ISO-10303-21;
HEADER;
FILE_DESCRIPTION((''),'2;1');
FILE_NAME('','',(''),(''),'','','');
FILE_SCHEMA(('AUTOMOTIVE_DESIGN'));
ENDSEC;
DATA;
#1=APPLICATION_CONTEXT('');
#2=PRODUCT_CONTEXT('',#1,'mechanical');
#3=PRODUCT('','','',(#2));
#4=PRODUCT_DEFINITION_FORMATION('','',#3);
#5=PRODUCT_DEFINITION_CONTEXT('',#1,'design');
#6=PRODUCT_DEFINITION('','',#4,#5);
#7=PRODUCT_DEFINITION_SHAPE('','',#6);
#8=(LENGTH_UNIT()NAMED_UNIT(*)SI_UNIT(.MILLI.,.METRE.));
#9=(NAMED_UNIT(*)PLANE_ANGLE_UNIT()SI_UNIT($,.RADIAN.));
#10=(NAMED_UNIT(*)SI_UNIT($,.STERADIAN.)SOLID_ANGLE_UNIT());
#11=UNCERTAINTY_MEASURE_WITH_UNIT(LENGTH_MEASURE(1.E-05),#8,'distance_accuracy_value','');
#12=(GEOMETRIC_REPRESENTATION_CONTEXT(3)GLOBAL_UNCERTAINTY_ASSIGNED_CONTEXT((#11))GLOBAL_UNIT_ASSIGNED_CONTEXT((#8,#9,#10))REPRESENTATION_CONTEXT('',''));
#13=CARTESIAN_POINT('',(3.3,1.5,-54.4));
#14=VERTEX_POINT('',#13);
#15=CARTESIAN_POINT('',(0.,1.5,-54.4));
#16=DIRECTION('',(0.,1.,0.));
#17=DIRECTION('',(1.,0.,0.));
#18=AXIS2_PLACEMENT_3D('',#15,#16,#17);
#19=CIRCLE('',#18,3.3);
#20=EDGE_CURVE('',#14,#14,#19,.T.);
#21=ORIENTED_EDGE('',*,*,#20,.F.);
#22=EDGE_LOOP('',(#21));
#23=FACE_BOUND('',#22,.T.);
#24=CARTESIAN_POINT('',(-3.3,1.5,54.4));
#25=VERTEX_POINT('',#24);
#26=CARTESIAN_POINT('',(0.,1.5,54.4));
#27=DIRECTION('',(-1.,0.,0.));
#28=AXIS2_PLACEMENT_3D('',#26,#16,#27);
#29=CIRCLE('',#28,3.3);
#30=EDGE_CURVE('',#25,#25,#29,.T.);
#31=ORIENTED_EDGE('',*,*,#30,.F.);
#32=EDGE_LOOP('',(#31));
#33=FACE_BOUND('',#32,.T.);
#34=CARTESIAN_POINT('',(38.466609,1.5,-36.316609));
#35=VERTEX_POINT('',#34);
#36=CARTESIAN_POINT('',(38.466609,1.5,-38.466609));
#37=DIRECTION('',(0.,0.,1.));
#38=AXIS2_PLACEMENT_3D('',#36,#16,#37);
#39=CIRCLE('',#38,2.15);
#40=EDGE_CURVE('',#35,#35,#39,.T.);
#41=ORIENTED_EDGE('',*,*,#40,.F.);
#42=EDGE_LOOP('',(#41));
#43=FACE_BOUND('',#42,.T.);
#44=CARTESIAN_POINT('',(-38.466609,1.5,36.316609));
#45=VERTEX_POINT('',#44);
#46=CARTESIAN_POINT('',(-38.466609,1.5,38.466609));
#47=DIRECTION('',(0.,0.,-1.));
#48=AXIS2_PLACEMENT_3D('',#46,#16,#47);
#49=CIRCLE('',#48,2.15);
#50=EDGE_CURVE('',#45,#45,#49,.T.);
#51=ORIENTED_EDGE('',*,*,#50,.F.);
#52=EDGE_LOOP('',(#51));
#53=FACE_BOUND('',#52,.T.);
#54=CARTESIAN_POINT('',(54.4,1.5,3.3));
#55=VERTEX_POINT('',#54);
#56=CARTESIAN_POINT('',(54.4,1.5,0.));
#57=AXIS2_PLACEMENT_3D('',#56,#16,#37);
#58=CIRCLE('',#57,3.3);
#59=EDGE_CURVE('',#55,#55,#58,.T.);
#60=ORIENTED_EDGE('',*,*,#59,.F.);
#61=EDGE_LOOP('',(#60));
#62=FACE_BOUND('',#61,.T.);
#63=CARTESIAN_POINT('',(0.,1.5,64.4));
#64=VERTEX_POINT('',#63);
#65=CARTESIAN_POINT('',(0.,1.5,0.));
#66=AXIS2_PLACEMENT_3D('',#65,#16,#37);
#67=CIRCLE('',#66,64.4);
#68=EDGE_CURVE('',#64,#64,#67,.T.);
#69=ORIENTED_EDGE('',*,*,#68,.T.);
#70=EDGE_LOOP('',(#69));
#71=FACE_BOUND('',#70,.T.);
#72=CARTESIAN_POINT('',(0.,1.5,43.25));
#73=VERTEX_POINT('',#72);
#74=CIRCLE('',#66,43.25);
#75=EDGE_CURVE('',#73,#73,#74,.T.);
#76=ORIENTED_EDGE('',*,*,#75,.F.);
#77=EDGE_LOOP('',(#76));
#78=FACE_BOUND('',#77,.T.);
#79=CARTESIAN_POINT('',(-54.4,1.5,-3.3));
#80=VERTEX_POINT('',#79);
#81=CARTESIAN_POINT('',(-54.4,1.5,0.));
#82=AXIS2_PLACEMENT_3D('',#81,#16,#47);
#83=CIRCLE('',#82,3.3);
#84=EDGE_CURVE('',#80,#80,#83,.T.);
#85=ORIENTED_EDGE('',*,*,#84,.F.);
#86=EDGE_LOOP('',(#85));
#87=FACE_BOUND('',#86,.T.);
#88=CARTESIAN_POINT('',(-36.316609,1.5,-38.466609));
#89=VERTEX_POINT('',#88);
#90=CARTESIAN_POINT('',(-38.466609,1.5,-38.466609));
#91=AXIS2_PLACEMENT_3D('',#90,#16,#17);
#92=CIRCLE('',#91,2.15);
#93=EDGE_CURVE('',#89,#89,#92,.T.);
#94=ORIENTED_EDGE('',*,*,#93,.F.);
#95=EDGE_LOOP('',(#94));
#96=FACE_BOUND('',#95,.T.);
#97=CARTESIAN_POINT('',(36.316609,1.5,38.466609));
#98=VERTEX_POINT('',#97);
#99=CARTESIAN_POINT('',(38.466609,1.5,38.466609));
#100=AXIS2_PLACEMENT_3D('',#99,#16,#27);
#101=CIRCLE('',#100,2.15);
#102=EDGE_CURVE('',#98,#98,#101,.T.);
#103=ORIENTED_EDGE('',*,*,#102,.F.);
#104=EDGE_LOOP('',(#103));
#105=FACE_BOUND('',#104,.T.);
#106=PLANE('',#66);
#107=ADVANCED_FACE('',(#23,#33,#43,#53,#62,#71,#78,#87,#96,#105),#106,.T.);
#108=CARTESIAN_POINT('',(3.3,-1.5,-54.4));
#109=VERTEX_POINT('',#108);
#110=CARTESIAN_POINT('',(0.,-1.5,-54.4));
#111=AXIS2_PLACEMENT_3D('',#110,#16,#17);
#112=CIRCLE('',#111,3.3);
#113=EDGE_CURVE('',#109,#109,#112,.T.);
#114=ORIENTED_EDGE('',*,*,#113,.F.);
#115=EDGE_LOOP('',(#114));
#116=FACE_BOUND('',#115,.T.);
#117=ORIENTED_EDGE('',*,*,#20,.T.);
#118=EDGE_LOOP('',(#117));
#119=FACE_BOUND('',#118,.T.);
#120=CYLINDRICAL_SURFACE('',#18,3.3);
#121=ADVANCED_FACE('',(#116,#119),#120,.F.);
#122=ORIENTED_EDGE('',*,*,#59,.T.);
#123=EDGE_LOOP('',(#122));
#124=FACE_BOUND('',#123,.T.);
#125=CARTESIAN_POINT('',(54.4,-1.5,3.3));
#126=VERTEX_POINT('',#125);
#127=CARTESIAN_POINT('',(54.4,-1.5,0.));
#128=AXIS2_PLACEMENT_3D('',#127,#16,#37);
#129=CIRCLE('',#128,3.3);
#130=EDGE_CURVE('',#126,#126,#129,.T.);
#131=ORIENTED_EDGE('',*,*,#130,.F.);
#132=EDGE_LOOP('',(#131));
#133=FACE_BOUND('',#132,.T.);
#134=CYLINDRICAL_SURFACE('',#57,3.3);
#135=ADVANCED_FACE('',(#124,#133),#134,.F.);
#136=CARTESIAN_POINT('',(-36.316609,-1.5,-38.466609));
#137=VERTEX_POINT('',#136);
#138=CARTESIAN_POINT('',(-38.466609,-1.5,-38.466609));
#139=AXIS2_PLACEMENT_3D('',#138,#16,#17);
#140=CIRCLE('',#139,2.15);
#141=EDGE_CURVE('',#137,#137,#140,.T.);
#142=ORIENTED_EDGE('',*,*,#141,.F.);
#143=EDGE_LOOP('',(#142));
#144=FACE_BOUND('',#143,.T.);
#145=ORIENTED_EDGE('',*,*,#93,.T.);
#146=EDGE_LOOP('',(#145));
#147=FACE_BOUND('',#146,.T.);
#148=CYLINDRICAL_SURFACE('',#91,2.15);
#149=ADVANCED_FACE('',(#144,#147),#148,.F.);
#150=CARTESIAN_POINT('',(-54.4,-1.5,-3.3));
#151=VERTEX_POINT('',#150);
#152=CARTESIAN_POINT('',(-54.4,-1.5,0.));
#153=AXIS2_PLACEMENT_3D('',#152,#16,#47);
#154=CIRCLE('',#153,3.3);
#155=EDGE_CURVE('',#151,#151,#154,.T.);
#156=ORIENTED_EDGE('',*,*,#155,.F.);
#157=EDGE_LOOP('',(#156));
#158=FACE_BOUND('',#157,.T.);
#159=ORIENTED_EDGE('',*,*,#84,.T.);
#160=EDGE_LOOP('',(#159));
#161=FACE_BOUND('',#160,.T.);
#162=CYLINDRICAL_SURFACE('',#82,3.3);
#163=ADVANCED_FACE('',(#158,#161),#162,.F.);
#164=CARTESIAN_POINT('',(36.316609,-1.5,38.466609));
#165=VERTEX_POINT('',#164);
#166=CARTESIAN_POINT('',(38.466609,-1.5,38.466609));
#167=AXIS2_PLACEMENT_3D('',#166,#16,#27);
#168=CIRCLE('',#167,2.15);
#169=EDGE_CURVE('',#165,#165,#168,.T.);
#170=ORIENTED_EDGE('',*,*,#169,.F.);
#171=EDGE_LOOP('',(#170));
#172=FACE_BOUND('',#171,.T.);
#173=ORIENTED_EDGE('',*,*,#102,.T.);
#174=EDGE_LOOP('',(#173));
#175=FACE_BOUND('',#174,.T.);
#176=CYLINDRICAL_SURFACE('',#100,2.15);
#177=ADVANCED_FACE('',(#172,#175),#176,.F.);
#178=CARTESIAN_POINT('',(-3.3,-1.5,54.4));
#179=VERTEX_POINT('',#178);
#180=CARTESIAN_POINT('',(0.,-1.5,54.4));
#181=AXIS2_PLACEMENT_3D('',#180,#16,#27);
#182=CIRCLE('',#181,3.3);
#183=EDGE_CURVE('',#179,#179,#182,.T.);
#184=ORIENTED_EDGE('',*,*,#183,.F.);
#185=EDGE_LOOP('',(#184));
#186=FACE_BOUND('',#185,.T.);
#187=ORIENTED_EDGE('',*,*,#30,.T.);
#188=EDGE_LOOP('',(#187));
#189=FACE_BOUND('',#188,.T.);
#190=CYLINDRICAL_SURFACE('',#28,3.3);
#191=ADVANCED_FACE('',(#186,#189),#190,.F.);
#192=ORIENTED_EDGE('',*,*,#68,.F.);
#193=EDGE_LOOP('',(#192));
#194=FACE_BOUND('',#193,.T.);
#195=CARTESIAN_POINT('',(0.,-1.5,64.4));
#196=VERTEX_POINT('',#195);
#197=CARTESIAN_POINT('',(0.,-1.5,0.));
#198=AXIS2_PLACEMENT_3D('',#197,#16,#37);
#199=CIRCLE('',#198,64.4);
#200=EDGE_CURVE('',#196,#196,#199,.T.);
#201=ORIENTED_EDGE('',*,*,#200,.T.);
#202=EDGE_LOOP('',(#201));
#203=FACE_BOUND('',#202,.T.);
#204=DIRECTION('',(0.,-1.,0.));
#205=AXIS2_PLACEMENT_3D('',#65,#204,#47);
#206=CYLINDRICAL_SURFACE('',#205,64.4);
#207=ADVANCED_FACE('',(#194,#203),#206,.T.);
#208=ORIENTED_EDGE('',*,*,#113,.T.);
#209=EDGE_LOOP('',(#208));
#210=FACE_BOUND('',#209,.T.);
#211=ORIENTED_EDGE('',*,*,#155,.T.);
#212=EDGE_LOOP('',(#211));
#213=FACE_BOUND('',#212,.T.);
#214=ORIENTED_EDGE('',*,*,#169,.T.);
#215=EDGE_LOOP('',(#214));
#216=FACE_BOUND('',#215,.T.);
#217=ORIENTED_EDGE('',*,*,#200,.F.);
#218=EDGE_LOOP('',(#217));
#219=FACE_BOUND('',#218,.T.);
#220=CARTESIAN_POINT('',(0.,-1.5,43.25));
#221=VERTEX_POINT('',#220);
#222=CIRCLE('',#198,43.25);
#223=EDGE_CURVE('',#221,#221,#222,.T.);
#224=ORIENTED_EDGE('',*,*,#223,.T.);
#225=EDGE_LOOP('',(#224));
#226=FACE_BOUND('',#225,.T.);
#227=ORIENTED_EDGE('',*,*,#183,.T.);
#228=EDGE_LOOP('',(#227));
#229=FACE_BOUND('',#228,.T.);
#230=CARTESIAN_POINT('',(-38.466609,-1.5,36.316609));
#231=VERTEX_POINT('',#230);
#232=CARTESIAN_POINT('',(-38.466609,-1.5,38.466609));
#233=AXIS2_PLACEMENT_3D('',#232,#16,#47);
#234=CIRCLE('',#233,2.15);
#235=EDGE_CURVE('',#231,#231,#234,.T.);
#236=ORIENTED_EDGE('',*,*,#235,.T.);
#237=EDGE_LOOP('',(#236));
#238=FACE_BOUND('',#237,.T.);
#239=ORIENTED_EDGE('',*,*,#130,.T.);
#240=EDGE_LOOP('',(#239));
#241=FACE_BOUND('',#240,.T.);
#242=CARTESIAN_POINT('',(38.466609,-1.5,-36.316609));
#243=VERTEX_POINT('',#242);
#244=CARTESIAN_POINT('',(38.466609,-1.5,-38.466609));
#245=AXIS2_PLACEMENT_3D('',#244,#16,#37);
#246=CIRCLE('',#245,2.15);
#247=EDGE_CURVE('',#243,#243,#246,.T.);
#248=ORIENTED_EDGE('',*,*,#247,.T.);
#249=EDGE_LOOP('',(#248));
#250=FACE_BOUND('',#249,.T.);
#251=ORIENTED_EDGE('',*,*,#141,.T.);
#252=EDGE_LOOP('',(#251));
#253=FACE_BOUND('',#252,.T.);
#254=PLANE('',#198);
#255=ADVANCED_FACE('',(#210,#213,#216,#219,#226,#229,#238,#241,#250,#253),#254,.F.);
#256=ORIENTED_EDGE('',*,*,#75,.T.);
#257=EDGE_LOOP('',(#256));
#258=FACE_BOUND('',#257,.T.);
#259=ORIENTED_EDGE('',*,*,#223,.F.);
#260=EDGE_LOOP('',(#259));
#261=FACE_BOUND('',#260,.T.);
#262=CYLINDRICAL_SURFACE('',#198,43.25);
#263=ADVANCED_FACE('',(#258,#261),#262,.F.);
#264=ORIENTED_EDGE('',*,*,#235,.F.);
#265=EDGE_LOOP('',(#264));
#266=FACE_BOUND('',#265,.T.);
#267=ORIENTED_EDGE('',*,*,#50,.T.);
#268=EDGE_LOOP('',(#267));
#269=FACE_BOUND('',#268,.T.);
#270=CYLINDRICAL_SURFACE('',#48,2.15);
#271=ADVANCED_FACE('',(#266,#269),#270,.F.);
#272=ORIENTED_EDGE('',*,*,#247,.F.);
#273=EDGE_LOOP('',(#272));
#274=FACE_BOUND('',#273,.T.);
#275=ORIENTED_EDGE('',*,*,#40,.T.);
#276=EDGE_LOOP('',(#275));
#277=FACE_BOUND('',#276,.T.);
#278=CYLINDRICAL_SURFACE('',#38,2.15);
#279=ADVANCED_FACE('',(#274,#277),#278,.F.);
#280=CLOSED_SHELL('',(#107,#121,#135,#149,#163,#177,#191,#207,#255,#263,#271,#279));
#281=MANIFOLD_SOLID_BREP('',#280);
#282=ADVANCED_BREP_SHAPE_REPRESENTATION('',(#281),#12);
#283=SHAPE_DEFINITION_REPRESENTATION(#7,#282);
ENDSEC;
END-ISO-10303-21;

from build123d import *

# Parameters (mm, degrees)
SKETCH1_R            = 64.4
BOSS_EXTRUDE1_DEPTH  = 1.5
M6_CLEARANCE_HOLE1_D = 6.6
CIRPATTERN2_COUNT    = 4
M4_CLEARANCE_HOLE1_D = 4.3
CIRPATTERN1_COUNT    = 4
SKETCH10_R           = 43.25
CUT_EXTRUDE1_DEPTH   = 92.124749657


with BuildPart() as part:
    # Sketch1 → Boss-Extrude1 (new, symmetric)
    with BuildSketch(Plane(origin=(0, 0, 0), x_dir=(1, 0, 0), z_dir=(0, 1, 0))):
        with Locations(Location((0, 0, 0), (0, 0, 270))):
            Circle(SKETCH1_R)
    extrude(amount=BOSS_EXTRUDE1_DEPTH, both=True)

    # M6 Clearance Hole1 (through all)
    with Locations(Plane(origin=(0, 1.5, 0), x_dir=(1, 0, 0), z_dir=(0, 1, 0))):
        with Locations((54.4, 0)):
            m6_clearance_hole1 = Hole(M6_CLEARANCE_HOLE1_D / 2)

    # CirPattern2: M6 Clearance Hole1 ×4 about axis
    cirpattern2_axis = Axis((0, 0, 0), (0, 1, 0))
    for i in range(1, CIRPATTERN2_COUNT):
        add(m6_clearance_hole1.rotate(cirpattern2_axis, i * 360 / CIRPATTERN2_COUNT), mode=Mode.SUBTRACT)

    # M4 Clearance Hole1 (through all)
    with Locations(Plane(origin=(0, 1.5, 0), x_dir=(1, 0, 0), z_dir=(0, 1, 0))):
        with Locations((38.466608897, 38.466608897)):
            m4_clearance_hole1 = Hole(M4_CLEARANCE_HOLE1_D / 2)

    # CirPattern1: M4 Clearance Hole1 ×4 about axis
    cirpattern1_axis = Axis((0, 0, 0), (0, 1, 0))
    for i in range(1, CIRPATTERN1_COUNT):
        add(m4_clearance_hole1.rotate(cirpattern1_axis, i * 360 / CIRPATTERN1_COUNT), mode=Mode.SUBTRACT)

    # Sketch10 → Cut-Extrude1 (cut, through all)
    with BuildSketch(Plane(origin=(0, 1.5, 0), x_dir=(1, 0, 0), z_dir=(0, 1, 0))):
        with Locations(Location((0, 0, 0), (0, 0, 270))):
            Circle(SKETCH10_R)
    extrude(amount=-CUT_EXTRUDE1_DEPTH, mode=Mode.SUBTRACT)


solid = part.part
